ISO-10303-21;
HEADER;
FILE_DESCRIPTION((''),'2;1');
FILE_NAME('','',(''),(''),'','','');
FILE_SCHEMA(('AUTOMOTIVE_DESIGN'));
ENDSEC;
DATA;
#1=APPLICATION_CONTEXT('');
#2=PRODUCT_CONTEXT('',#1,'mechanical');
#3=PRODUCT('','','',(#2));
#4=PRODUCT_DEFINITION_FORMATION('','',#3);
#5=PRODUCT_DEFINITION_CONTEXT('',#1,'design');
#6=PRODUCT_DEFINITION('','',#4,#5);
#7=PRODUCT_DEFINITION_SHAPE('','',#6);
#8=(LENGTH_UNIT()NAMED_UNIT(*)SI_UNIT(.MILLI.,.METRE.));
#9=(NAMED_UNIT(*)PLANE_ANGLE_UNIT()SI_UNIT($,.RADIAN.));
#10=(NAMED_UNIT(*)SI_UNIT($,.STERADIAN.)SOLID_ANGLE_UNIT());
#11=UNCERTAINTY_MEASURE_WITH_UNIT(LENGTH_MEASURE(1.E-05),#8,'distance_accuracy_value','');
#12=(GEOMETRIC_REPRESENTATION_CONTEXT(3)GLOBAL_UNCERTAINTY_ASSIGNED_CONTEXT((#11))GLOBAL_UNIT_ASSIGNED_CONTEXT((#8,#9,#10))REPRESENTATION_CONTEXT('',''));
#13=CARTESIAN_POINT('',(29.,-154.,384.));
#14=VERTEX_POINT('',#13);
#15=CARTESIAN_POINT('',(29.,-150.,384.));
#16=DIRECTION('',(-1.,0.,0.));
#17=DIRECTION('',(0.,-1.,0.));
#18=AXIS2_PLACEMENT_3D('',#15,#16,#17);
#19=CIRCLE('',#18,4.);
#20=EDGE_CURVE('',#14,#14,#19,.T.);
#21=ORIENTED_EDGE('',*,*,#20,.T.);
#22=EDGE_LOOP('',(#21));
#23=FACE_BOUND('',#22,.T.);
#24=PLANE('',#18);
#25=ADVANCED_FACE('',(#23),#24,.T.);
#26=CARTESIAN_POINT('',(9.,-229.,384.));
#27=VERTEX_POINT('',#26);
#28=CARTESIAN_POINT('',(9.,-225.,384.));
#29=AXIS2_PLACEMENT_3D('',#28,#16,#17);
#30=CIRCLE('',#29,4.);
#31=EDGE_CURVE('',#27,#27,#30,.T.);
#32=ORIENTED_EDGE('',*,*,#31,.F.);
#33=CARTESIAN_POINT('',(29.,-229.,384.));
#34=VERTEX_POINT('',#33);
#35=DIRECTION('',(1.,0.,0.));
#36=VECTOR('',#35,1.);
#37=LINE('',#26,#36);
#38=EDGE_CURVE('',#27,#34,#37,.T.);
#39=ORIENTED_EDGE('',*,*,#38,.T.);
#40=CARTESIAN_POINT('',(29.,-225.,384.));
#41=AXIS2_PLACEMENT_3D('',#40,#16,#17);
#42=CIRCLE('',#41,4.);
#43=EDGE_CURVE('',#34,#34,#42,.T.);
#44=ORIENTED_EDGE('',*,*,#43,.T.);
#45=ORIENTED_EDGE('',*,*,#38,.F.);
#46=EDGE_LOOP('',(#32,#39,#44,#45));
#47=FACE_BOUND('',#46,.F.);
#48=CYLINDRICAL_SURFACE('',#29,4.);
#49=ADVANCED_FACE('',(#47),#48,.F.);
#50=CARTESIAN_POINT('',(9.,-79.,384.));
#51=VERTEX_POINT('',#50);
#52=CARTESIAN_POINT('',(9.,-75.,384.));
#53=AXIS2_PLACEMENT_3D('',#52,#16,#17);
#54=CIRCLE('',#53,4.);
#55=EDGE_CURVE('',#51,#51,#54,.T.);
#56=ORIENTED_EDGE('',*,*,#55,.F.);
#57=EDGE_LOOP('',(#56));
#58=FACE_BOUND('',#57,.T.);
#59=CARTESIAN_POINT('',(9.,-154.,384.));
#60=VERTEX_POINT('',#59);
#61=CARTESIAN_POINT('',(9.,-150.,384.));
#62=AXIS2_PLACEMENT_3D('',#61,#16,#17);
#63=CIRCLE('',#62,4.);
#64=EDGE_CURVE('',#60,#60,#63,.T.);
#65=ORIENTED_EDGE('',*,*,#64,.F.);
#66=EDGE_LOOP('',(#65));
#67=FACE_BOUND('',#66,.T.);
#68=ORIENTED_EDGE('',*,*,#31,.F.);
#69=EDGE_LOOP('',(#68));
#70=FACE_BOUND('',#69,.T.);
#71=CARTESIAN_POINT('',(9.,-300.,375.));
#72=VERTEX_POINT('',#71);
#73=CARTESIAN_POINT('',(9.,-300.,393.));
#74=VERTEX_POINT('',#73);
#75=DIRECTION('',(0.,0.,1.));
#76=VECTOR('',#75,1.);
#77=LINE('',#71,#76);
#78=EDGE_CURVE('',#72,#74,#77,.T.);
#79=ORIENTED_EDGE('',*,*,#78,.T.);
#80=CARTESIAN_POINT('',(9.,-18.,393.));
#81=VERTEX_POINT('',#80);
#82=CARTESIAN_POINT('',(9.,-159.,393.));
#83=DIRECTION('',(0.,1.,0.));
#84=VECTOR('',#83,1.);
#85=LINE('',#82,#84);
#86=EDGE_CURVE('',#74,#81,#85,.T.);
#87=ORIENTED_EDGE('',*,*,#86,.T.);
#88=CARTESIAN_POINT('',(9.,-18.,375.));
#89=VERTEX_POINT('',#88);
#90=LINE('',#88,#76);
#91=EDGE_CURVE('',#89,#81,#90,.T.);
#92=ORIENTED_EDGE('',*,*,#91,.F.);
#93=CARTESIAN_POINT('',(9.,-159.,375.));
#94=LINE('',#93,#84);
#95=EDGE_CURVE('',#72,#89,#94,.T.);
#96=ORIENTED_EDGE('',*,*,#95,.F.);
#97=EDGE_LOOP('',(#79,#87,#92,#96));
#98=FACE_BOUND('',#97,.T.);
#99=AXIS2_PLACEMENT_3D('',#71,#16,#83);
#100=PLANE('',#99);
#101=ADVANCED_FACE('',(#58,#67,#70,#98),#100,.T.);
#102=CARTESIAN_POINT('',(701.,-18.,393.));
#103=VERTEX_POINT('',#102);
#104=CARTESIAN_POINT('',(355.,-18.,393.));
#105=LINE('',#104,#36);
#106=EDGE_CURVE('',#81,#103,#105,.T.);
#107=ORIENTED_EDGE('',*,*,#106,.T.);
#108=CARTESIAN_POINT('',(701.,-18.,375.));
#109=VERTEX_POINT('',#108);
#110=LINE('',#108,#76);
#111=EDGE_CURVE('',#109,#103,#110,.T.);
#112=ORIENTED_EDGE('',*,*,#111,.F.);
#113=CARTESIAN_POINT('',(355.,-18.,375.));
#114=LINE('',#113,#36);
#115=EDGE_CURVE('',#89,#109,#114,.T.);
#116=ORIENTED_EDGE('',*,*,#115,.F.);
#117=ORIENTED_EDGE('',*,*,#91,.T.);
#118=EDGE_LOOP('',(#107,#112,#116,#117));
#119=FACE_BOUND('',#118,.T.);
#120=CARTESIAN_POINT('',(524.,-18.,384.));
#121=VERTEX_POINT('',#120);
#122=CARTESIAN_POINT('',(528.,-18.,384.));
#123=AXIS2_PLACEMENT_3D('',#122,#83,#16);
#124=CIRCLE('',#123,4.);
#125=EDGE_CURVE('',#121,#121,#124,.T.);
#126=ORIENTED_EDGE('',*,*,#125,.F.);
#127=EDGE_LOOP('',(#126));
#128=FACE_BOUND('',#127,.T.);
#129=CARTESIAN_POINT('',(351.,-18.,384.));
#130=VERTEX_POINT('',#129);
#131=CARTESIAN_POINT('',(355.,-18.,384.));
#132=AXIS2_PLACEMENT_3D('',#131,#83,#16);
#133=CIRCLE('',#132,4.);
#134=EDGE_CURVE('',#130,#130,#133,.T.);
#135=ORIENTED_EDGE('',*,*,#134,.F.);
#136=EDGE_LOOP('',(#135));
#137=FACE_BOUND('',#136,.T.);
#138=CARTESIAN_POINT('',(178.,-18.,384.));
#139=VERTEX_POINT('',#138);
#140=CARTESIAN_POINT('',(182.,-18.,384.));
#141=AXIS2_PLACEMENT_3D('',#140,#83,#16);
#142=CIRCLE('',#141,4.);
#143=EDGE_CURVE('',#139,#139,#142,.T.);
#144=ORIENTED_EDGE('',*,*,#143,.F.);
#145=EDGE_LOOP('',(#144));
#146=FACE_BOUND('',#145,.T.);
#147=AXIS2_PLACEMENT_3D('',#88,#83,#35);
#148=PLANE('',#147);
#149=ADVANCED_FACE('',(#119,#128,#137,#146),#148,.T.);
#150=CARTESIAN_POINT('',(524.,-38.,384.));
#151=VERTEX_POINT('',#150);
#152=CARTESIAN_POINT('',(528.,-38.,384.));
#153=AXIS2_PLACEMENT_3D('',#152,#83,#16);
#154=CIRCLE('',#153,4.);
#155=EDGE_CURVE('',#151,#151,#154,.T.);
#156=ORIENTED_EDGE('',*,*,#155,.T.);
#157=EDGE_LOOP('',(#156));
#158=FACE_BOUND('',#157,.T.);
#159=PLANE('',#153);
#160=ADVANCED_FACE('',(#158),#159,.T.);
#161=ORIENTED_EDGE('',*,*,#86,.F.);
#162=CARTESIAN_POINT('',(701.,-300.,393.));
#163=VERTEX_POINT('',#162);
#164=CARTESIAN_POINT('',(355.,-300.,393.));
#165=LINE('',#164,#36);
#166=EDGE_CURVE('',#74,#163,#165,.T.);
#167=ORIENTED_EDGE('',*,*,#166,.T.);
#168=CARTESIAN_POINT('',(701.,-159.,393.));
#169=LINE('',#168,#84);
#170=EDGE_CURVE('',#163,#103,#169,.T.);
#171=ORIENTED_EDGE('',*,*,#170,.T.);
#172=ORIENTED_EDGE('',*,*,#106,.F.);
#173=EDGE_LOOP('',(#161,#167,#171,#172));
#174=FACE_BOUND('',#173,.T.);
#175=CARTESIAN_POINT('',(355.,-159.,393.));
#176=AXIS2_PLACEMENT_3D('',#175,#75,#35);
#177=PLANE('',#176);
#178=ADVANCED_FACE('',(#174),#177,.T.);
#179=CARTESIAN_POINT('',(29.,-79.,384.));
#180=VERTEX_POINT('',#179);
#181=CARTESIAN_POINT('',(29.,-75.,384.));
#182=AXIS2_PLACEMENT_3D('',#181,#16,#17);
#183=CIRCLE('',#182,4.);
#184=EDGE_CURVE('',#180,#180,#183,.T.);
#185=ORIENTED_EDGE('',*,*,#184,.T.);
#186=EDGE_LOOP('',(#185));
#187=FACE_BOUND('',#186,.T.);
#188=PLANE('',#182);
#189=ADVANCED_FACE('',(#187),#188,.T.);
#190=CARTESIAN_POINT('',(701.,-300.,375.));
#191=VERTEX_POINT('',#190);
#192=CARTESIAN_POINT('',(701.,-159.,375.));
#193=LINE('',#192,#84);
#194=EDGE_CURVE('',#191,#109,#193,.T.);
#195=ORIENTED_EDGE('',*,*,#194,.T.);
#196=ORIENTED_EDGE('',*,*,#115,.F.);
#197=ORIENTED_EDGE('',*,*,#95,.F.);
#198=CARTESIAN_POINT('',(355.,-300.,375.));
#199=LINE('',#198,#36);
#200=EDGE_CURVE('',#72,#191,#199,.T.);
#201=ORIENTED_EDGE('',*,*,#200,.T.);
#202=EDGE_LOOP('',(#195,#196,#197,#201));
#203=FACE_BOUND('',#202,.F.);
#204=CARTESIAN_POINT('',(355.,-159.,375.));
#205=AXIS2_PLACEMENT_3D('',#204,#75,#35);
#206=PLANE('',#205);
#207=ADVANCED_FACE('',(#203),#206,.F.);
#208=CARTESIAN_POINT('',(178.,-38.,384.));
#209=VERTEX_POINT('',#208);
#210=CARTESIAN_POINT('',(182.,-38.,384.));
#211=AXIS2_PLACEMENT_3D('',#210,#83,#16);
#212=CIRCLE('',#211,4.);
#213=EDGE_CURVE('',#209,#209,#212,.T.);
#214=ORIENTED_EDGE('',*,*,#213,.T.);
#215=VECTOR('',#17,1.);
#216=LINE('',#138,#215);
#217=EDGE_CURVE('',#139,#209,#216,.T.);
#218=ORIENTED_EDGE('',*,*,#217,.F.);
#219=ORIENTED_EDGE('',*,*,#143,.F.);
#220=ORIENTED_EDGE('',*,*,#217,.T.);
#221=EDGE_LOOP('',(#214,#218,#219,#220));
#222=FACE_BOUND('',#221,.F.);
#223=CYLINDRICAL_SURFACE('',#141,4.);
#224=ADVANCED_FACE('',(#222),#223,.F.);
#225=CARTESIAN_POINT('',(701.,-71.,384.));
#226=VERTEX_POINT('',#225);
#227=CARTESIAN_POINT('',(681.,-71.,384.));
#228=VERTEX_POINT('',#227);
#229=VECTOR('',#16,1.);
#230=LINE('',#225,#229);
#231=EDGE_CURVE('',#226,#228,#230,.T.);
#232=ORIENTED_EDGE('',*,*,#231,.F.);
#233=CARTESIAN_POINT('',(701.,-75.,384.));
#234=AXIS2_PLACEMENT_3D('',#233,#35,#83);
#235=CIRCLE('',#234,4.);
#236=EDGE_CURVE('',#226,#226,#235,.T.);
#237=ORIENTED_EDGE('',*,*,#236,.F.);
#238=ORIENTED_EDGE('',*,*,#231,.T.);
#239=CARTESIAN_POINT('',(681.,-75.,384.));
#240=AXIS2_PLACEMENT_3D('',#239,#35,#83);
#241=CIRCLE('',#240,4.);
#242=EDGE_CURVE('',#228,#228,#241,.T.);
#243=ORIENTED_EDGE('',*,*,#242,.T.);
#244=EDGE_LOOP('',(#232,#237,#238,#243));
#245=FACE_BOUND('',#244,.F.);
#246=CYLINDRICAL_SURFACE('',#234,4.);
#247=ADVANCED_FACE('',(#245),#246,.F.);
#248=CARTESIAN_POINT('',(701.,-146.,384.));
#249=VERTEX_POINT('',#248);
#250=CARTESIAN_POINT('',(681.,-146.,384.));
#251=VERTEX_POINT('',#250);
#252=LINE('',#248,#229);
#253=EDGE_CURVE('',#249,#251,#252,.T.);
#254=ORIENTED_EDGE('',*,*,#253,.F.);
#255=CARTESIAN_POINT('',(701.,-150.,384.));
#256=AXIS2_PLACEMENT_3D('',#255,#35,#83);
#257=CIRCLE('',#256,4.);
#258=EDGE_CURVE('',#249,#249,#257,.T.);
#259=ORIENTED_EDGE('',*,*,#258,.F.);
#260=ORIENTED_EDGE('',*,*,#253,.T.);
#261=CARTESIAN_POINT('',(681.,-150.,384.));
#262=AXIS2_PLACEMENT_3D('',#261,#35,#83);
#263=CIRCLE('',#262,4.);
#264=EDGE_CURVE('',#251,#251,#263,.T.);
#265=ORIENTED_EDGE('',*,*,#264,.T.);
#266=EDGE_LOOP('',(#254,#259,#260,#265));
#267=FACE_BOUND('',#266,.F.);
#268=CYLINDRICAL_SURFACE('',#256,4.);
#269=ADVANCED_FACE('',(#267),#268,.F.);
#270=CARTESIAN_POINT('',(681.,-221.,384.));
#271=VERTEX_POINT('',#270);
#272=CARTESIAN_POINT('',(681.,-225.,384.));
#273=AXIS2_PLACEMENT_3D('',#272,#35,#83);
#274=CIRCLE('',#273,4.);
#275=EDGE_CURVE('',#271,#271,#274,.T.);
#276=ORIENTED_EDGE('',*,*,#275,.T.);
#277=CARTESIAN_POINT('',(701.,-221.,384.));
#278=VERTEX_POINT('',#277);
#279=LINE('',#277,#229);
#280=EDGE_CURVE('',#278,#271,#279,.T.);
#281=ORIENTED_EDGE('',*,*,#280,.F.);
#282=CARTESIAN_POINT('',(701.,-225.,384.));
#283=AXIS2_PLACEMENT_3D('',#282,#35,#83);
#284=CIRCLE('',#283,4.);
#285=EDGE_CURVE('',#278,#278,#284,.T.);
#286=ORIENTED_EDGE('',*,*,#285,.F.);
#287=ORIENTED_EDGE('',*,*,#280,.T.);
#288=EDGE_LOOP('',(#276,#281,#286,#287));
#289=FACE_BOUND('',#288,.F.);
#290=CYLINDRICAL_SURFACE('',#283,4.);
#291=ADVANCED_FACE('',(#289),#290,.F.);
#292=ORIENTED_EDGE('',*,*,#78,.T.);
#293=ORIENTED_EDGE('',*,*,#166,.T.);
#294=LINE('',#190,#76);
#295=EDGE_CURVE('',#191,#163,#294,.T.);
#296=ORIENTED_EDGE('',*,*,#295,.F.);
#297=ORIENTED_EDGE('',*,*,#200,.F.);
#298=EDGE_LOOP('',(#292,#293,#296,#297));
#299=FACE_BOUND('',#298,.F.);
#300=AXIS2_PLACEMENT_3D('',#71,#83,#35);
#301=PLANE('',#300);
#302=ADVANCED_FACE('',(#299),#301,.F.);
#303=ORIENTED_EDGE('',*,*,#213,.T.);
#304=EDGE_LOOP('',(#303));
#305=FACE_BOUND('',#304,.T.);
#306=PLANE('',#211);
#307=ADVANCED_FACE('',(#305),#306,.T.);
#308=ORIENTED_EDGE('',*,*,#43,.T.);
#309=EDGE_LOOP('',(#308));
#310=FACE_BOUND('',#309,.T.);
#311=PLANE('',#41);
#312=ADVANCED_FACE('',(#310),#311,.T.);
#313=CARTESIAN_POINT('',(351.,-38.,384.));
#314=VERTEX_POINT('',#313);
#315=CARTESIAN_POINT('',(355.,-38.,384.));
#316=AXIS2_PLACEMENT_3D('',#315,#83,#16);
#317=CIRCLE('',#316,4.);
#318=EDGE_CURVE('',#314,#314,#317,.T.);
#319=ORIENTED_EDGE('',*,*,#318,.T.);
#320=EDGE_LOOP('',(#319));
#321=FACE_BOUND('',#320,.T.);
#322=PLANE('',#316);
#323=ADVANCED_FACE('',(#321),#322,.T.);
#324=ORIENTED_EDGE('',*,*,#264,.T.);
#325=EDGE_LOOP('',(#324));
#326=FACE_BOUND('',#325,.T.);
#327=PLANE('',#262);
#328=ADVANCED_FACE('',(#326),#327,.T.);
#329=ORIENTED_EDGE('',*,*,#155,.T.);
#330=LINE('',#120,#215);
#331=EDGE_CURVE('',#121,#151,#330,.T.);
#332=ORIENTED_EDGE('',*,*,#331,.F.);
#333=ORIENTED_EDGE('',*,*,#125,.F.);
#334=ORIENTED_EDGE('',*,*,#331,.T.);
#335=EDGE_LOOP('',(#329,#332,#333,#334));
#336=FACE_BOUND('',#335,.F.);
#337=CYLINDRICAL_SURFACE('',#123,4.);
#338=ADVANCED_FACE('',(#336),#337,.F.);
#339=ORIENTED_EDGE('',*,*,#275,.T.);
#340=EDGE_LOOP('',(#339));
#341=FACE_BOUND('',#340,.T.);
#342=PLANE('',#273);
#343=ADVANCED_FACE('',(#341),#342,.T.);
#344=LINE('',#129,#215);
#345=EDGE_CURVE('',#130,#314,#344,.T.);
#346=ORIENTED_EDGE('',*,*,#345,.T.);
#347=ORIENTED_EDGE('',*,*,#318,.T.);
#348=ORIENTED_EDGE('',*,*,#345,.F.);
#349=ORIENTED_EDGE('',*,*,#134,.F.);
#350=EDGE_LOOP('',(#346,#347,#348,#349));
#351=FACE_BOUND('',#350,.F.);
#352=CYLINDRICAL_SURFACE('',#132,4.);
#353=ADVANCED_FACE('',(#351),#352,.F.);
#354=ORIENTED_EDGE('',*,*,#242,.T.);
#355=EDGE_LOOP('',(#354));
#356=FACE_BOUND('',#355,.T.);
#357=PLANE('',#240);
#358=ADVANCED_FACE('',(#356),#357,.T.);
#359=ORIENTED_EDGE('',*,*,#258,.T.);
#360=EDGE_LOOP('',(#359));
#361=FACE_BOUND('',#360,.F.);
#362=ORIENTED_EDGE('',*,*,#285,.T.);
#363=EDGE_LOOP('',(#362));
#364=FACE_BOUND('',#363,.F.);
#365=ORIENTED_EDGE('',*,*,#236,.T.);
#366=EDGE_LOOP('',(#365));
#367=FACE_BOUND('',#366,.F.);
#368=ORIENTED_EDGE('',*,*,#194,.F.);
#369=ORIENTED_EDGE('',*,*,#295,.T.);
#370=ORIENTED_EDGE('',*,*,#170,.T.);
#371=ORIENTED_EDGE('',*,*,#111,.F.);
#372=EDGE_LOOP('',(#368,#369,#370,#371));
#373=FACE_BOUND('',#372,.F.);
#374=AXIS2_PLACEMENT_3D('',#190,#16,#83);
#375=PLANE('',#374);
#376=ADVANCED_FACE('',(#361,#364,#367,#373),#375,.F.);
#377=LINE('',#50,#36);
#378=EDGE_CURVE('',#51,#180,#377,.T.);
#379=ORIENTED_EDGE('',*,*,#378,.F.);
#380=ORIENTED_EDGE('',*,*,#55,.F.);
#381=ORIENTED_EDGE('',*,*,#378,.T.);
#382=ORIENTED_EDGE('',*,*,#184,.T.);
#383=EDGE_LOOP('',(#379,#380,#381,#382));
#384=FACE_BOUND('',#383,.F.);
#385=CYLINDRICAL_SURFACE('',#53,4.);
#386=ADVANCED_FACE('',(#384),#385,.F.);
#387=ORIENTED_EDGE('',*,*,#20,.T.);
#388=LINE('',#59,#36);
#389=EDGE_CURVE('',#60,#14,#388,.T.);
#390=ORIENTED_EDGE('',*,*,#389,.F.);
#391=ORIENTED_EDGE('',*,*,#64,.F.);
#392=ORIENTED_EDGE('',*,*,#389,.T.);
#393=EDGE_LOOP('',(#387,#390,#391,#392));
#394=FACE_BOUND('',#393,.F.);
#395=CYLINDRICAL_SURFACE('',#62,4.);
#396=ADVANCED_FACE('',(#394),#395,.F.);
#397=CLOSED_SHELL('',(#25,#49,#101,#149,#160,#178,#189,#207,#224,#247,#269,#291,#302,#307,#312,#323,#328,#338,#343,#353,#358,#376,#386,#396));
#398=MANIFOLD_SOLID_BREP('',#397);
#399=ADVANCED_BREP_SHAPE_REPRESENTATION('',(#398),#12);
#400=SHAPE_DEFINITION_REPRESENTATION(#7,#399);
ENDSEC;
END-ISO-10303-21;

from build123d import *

# Parameters (mm, degrees)
SKETCH067_W     = 692
SKETCH067_H     = 282
PAD025_DEPTH    = 18
SKETCH077_R     = 4
POCKET027_DEPTH = 20
SKETCH078_R     = 4
POCKET028_DEPTH = 20
SKETCH079_R     = 4
POCKET029_DEPTH = 20


with BuildPart() as part:
    # Sketch067 → Pad025 (new body)
    with BuildSketch(Plane.XY):
        with Locations((-355, -159)):
            Rectangle(SKETCH067_W, SKETCH067_H)
    extrude(amount=PAD025_DEPTH)

    # Sketch077 (on Face4 of Pad025) → Pocket027 (cut)
    with BuildSketch(Plane(origin=(-701, 0, 0), x_dir=(0, -1, 0), z_dir=(-1, 0, 0))):
        with Locations((150, 9)):
            Circle(SKETCH077_R)
        with Locations((225, 9)):
            Circle(SKETCH077_R)
        with Locations((75, 9)):
            Circle(SKETCH077_R)
    extrude(amount=-POCKET027_DEPTH, mode=Mode.SUBTRACT)

    # Sketch078 (on Face3 of Pocket027) → Pocket028 (cut)
    with BuildSketch(Plane.YZ.offset(-9)):
        with Locations((-225, 9)):
            Circle(SKETCH078_R)
        with Locations((-150, 9)):
            Circle(SKETCH078_R)
        with Locations((-75, 9)):
            Circle(SKETCH078_R)
    extrude(amount=-POCKET028_DEPTH, mode=Mode.SUBTRACT)

    # Sketch079 (on Face1 of Pocket028) → Pocket029 (cut)
    with BuildSketch(Plane(origin=(0, -18, 0), x_dir=(-1, 0, 0), z_dir=(0, 1, 0))):
        with Locations((182, 9)):
            Circle(SKETCH079_R)
        with Locations((355, 9)):
            Circle(SKETCH079_R)
        with Locations((528, 9)):
            Circle(SKETCH079_R)
    extrude(amount=-POCKET029_DEPTH, mode=Mode.SUBTRACT)


with BuildPart() as part_1:
    # Body018001001001010001003001003001001022 placement: moved
    add(part.part.moved(Location((0, 0, 375))))


with BuildPart() as part_2:
    # Clone015 placement: moved
    add(part_1.part.moved(Location((710, 0, 0))))


solid = part_2.part
